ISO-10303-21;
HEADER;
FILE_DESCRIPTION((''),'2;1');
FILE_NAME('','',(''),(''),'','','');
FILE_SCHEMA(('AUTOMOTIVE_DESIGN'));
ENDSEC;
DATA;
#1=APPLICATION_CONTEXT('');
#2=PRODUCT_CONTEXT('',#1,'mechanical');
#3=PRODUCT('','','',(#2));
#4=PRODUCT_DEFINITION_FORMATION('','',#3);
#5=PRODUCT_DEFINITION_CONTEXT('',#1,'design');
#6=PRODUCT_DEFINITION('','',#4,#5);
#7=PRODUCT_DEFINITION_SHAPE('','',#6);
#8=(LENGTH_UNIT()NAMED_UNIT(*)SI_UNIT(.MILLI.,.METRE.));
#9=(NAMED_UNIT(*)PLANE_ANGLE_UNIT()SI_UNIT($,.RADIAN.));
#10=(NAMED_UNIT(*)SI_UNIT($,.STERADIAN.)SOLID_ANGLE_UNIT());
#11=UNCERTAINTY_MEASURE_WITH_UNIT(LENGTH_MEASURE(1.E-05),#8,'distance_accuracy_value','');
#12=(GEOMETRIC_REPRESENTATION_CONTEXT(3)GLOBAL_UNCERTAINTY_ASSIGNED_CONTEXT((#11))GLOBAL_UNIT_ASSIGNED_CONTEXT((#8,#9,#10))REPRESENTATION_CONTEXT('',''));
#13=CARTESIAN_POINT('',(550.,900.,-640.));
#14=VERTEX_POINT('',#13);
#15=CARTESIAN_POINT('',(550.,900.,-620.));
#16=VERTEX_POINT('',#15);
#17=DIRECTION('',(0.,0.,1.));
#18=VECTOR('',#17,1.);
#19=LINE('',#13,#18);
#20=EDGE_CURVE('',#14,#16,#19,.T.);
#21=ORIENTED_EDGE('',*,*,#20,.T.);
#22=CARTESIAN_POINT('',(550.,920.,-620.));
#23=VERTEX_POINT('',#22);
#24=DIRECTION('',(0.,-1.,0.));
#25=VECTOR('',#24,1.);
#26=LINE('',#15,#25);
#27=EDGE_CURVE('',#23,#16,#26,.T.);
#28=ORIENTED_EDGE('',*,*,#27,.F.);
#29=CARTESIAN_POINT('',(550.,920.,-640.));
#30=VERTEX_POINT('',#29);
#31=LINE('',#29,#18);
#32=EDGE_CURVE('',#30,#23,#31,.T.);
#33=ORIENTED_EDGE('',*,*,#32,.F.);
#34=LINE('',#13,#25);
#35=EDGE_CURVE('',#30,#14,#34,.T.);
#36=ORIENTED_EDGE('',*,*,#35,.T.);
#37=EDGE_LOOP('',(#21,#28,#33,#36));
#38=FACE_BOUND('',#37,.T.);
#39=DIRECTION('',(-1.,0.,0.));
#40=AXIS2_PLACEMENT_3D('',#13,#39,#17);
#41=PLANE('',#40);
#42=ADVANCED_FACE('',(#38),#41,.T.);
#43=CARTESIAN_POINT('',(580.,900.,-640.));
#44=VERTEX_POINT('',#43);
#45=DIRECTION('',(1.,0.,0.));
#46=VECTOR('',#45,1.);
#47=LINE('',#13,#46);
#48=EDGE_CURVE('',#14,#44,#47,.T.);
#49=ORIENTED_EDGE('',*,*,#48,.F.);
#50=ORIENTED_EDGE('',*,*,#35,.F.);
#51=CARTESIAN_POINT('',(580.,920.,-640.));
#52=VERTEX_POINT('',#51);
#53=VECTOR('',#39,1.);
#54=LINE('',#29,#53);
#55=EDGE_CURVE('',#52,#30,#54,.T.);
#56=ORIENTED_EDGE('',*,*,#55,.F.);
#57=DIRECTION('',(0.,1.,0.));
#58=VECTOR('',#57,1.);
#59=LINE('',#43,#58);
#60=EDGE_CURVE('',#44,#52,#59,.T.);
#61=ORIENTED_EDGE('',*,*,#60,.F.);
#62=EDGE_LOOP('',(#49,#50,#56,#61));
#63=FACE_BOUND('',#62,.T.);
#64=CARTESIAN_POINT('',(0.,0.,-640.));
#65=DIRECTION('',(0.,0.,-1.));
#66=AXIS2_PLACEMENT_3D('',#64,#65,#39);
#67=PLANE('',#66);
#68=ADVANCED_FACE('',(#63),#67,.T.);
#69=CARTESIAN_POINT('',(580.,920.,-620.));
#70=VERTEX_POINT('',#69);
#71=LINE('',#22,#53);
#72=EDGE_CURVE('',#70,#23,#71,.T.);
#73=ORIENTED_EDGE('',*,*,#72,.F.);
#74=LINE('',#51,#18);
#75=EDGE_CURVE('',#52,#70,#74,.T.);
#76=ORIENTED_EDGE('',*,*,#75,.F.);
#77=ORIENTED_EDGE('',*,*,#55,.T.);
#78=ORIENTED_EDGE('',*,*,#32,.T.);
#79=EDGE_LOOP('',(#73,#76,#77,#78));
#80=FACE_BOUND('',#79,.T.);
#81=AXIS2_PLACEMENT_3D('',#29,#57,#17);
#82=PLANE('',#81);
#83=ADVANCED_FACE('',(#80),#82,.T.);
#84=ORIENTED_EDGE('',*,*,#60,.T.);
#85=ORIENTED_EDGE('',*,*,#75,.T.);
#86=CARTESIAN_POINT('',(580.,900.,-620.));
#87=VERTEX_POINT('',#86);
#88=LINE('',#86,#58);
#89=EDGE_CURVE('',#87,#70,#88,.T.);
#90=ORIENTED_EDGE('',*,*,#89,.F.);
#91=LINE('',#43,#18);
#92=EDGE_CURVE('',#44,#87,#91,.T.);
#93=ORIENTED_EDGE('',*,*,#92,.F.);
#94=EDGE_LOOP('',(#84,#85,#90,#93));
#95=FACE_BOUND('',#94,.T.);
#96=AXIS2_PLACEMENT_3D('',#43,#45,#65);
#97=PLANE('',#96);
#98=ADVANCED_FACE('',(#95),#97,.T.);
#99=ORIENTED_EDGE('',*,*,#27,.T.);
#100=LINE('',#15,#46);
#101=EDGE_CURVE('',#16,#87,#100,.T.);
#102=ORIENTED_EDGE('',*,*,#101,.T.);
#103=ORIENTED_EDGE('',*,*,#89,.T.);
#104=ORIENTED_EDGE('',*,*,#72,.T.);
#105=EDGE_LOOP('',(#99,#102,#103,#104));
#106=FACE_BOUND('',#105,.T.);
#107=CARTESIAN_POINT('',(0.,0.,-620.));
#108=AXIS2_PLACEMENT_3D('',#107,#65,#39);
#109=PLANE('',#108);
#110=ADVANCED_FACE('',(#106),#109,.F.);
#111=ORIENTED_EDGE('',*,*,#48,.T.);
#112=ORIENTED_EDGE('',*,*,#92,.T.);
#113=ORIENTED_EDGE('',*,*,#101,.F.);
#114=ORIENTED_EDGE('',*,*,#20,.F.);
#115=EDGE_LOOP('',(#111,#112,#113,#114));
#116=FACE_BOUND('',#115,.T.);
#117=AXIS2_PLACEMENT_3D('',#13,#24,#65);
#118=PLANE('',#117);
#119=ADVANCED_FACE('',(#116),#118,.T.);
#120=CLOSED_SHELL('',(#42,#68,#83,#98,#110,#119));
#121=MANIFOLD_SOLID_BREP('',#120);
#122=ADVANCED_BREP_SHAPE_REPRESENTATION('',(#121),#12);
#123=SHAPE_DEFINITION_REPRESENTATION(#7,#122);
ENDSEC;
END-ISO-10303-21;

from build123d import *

# Parameters (mm, degrees)
PACK_KAPAK_SWITCH_2_1_START = -620
SKETCH1_W                   = 30
SKETCH1_H                   = 20
PACK_KAPAK_SWITCH_2_1_DEPTH = 20


with BuildPart() as part:
    # Sketch1 → PACK_kapak_switch_2_1 (new body)
    with BuildSketch(Plane.XY.offset(PACK_KAPAK_SWITCH_2_1_START)):
        with Locations((565, 910)):
            Rectangle(SKETCH1_W, SKETCH1_H)
    extrude(amount=-PACK_KAPAK_SWITCH_2_1_DEPTH)


solid = part.part
